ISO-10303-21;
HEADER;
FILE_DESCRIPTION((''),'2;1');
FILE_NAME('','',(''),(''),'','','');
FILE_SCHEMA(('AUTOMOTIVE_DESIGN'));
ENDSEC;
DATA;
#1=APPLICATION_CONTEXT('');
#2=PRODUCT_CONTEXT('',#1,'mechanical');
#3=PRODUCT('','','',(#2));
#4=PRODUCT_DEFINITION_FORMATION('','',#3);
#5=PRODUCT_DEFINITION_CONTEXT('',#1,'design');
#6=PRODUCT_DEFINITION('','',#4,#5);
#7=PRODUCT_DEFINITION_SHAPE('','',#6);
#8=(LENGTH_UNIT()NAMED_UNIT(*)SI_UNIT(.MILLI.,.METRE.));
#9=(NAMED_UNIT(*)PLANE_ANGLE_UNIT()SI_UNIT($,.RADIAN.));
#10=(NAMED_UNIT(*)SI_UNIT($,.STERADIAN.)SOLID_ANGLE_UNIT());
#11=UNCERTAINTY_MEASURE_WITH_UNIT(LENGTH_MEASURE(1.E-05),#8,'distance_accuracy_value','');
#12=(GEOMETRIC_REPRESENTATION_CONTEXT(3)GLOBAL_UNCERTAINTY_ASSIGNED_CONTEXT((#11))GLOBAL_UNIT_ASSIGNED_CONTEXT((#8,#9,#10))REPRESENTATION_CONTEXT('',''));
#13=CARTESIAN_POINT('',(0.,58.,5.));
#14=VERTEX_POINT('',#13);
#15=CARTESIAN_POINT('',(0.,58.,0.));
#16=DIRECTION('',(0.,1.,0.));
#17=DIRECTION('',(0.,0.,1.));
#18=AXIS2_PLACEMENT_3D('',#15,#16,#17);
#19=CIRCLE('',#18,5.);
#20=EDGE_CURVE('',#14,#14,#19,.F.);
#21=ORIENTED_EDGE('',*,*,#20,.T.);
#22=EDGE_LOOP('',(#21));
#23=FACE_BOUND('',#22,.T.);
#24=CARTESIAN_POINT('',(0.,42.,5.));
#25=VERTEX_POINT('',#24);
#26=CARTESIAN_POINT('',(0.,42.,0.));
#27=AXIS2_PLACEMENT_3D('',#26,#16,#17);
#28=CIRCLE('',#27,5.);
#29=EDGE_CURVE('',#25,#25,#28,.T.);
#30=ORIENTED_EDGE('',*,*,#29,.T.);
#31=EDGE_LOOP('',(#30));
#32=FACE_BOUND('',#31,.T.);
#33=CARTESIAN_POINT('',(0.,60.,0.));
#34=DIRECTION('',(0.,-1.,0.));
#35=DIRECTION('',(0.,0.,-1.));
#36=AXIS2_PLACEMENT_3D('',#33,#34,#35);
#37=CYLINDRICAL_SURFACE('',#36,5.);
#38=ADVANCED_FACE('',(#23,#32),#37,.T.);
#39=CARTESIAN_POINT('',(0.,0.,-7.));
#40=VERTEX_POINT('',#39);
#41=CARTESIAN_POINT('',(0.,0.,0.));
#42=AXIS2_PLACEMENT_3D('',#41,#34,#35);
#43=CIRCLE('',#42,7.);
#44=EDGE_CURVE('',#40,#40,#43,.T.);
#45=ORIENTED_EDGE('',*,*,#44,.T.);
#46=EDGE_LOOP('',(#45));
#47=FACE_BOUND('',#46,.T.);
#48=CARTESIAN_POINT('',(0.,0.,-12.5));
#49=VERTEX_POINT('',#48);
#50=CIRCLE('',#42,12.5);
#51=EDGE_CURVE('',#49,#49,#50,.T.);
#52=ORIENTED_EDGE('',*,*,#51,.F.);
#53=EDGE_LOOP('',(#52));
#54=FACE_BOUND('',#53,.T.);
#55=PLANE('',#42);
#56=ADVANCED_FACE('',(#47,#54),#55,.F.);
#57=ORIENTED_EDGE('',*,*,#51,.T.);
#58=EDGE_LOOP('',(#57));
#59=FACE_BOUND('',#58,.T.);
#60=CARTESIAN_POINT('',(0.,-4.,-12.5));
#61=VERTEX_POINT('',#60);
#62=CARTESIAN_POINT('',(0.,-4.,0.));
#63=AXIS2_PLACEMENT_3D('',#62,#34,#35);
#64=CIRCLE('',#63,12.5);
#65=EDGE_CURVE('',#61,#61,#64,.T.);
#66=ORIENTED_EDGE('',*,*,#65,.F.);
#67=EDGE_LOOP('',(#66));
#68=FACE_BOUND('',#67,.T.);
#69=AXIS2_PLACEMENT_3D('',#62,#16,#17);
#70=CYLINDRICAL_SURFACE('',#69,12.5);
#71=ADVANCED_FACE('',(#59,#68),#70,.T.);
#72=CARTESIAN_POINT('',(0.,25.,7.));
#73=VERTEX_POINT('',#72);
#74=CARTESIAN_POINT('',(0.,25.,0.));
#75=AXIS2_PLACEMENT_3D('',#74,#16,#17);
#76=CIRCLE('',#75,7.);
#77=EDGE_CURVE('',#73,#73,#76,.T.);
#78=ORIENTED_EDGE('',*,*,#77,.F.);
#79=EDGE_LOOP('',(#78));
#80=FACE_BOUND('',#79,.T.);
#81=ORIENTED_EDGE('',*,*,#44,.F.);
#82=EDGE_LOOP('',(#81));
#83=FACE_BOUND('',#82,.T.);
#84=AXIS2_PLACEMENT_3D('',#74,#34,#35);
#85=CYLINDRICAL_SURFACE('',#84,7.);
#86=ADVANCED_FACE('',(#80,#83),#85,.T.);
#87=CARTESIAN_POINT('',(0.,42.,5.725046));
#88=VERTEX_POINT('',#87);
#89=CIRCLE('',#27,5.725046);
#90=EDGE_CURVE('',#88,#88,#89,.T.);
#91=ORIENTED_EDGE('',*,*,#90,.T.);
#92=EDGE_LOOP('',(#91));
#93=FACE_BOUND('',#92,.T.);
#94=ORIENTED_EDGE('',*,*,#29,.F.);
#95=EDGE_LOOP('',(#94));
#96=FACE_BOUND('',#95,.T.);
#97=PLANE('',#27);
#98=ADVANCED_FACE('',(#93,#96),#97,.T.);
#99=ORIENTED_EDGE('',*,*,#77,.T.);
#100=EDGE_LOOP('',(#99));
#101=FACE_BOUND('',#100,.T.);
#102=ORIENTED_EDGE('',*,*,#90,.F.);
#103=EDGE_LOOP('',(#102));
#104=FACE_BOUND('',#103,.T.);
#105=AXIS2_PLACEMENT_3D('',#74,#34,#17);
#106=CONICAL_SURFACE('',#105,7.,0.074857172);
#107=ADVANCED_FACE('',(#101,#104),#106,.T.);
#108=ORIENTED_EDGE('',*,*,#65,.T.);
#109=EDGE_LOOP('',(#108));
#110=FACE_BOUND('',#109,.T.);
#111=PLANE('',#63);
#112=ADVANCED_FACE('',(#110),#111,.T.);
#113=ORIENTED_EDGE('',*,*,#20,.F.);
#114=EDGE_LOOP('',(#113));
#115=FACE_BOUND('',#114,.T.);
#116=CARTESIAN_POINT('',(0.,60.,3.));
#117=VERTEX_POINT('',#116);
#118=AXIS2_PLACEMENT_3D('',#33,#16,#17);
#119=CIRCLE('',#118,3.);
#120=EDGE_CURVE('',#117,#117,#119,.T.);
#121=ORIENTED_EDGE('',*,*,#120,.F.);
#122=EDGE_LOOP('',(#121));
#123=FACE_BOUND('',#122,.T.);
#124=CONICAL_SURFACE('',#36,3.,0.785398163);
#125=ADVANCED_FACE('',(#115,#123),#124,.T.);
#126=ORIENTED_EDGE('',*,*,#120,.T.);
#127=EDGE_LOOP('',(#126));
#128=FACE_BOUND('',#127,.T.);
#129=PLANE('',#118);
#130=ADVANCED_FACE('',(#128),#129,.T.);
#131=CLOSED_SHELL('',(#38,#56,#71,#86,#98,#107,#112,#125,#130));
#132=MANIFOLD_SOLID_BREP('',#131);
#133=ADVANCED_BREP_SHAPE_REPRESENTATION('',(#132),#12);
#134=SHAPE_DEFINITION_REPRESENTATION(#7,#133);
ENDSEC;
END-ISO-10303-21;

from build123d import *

# Parameters (mm, degrees)
SKETCH2_R           = 7
BOSS_EXTRUDE1_DEPTH = 25
SKETCH3_R           = 7
BOSS_EXTRUDE2_DEPTH = 17
BOSS_EXTRUDE2_TAPER = 4.289
SKETCH4_R           = 5
BOSS_EXTRUDE3_DEPTH = 18
CHAMFER1_SIZE       = 2
SKETCH5_R           = 12.5
BOSS_EXTRUDE4_DEPTH = 4


with BuildPart() as part:
    # Sketch2 → Boss-Extrude1 (new body)
    with BuildSketch(Plane(origin=(0, 0, 0), x_dir=(1, 0, 0), z_dir=(0, 1, 0))):
        with Locations(Location((0, 0, 0), (0, 0, 270))):
            Circle(SKETCH2_R)
    extrude(amount=BOSS_EXTRUDE1_DEPTH)

    # Sketch3 → Boss-Extrude2 (add)
    with BuildSketch(Plane(origin=(0, 25, 0), x_dir=(1, 0, 0), z_dir=(0, 1, 0))):
        with Locations(Location((0, 0, 0), (0, 0, 270))):
            Circle(SKETCH3_R)
    extrude(amount=BOSS_EXTRUDE2_DEPTH, taper=BOSS_EXTRUDE2_TAPER)

    # Sketch4 → Boss-Extrude3 (add)
    with BuildSketch(Plane(origin=(0, 42, 0), x_dir=(1, 0, 0), z_dir=(0, 1, 0))):
        with Locations(Location((0, 0, 0), (0, 0, 270))):
            Circle(SKETCH4_R)
    extrude(amount=BOSS_EXTRUDE3_DEPTH)

    # Chamfer1
    chamfer1_edges = [part.edges().sort_by_distance(p)[0] for p in [
        (0, 60, -5),
    ]]
    chamfer(chamfer1_edges, length=CHAMFER1_SIZE)

    # Sketch5 → Boss-Extrude4 (add)
    with BuildSketch(Plane.XZ):
        with Locations(Location((0, 0, 0), (0, 0, 270))):
            Circle(SKETCH5_R)
    extrude(amount=BOSS_EXTRUDE4_DEPTH)


solid = part.part
